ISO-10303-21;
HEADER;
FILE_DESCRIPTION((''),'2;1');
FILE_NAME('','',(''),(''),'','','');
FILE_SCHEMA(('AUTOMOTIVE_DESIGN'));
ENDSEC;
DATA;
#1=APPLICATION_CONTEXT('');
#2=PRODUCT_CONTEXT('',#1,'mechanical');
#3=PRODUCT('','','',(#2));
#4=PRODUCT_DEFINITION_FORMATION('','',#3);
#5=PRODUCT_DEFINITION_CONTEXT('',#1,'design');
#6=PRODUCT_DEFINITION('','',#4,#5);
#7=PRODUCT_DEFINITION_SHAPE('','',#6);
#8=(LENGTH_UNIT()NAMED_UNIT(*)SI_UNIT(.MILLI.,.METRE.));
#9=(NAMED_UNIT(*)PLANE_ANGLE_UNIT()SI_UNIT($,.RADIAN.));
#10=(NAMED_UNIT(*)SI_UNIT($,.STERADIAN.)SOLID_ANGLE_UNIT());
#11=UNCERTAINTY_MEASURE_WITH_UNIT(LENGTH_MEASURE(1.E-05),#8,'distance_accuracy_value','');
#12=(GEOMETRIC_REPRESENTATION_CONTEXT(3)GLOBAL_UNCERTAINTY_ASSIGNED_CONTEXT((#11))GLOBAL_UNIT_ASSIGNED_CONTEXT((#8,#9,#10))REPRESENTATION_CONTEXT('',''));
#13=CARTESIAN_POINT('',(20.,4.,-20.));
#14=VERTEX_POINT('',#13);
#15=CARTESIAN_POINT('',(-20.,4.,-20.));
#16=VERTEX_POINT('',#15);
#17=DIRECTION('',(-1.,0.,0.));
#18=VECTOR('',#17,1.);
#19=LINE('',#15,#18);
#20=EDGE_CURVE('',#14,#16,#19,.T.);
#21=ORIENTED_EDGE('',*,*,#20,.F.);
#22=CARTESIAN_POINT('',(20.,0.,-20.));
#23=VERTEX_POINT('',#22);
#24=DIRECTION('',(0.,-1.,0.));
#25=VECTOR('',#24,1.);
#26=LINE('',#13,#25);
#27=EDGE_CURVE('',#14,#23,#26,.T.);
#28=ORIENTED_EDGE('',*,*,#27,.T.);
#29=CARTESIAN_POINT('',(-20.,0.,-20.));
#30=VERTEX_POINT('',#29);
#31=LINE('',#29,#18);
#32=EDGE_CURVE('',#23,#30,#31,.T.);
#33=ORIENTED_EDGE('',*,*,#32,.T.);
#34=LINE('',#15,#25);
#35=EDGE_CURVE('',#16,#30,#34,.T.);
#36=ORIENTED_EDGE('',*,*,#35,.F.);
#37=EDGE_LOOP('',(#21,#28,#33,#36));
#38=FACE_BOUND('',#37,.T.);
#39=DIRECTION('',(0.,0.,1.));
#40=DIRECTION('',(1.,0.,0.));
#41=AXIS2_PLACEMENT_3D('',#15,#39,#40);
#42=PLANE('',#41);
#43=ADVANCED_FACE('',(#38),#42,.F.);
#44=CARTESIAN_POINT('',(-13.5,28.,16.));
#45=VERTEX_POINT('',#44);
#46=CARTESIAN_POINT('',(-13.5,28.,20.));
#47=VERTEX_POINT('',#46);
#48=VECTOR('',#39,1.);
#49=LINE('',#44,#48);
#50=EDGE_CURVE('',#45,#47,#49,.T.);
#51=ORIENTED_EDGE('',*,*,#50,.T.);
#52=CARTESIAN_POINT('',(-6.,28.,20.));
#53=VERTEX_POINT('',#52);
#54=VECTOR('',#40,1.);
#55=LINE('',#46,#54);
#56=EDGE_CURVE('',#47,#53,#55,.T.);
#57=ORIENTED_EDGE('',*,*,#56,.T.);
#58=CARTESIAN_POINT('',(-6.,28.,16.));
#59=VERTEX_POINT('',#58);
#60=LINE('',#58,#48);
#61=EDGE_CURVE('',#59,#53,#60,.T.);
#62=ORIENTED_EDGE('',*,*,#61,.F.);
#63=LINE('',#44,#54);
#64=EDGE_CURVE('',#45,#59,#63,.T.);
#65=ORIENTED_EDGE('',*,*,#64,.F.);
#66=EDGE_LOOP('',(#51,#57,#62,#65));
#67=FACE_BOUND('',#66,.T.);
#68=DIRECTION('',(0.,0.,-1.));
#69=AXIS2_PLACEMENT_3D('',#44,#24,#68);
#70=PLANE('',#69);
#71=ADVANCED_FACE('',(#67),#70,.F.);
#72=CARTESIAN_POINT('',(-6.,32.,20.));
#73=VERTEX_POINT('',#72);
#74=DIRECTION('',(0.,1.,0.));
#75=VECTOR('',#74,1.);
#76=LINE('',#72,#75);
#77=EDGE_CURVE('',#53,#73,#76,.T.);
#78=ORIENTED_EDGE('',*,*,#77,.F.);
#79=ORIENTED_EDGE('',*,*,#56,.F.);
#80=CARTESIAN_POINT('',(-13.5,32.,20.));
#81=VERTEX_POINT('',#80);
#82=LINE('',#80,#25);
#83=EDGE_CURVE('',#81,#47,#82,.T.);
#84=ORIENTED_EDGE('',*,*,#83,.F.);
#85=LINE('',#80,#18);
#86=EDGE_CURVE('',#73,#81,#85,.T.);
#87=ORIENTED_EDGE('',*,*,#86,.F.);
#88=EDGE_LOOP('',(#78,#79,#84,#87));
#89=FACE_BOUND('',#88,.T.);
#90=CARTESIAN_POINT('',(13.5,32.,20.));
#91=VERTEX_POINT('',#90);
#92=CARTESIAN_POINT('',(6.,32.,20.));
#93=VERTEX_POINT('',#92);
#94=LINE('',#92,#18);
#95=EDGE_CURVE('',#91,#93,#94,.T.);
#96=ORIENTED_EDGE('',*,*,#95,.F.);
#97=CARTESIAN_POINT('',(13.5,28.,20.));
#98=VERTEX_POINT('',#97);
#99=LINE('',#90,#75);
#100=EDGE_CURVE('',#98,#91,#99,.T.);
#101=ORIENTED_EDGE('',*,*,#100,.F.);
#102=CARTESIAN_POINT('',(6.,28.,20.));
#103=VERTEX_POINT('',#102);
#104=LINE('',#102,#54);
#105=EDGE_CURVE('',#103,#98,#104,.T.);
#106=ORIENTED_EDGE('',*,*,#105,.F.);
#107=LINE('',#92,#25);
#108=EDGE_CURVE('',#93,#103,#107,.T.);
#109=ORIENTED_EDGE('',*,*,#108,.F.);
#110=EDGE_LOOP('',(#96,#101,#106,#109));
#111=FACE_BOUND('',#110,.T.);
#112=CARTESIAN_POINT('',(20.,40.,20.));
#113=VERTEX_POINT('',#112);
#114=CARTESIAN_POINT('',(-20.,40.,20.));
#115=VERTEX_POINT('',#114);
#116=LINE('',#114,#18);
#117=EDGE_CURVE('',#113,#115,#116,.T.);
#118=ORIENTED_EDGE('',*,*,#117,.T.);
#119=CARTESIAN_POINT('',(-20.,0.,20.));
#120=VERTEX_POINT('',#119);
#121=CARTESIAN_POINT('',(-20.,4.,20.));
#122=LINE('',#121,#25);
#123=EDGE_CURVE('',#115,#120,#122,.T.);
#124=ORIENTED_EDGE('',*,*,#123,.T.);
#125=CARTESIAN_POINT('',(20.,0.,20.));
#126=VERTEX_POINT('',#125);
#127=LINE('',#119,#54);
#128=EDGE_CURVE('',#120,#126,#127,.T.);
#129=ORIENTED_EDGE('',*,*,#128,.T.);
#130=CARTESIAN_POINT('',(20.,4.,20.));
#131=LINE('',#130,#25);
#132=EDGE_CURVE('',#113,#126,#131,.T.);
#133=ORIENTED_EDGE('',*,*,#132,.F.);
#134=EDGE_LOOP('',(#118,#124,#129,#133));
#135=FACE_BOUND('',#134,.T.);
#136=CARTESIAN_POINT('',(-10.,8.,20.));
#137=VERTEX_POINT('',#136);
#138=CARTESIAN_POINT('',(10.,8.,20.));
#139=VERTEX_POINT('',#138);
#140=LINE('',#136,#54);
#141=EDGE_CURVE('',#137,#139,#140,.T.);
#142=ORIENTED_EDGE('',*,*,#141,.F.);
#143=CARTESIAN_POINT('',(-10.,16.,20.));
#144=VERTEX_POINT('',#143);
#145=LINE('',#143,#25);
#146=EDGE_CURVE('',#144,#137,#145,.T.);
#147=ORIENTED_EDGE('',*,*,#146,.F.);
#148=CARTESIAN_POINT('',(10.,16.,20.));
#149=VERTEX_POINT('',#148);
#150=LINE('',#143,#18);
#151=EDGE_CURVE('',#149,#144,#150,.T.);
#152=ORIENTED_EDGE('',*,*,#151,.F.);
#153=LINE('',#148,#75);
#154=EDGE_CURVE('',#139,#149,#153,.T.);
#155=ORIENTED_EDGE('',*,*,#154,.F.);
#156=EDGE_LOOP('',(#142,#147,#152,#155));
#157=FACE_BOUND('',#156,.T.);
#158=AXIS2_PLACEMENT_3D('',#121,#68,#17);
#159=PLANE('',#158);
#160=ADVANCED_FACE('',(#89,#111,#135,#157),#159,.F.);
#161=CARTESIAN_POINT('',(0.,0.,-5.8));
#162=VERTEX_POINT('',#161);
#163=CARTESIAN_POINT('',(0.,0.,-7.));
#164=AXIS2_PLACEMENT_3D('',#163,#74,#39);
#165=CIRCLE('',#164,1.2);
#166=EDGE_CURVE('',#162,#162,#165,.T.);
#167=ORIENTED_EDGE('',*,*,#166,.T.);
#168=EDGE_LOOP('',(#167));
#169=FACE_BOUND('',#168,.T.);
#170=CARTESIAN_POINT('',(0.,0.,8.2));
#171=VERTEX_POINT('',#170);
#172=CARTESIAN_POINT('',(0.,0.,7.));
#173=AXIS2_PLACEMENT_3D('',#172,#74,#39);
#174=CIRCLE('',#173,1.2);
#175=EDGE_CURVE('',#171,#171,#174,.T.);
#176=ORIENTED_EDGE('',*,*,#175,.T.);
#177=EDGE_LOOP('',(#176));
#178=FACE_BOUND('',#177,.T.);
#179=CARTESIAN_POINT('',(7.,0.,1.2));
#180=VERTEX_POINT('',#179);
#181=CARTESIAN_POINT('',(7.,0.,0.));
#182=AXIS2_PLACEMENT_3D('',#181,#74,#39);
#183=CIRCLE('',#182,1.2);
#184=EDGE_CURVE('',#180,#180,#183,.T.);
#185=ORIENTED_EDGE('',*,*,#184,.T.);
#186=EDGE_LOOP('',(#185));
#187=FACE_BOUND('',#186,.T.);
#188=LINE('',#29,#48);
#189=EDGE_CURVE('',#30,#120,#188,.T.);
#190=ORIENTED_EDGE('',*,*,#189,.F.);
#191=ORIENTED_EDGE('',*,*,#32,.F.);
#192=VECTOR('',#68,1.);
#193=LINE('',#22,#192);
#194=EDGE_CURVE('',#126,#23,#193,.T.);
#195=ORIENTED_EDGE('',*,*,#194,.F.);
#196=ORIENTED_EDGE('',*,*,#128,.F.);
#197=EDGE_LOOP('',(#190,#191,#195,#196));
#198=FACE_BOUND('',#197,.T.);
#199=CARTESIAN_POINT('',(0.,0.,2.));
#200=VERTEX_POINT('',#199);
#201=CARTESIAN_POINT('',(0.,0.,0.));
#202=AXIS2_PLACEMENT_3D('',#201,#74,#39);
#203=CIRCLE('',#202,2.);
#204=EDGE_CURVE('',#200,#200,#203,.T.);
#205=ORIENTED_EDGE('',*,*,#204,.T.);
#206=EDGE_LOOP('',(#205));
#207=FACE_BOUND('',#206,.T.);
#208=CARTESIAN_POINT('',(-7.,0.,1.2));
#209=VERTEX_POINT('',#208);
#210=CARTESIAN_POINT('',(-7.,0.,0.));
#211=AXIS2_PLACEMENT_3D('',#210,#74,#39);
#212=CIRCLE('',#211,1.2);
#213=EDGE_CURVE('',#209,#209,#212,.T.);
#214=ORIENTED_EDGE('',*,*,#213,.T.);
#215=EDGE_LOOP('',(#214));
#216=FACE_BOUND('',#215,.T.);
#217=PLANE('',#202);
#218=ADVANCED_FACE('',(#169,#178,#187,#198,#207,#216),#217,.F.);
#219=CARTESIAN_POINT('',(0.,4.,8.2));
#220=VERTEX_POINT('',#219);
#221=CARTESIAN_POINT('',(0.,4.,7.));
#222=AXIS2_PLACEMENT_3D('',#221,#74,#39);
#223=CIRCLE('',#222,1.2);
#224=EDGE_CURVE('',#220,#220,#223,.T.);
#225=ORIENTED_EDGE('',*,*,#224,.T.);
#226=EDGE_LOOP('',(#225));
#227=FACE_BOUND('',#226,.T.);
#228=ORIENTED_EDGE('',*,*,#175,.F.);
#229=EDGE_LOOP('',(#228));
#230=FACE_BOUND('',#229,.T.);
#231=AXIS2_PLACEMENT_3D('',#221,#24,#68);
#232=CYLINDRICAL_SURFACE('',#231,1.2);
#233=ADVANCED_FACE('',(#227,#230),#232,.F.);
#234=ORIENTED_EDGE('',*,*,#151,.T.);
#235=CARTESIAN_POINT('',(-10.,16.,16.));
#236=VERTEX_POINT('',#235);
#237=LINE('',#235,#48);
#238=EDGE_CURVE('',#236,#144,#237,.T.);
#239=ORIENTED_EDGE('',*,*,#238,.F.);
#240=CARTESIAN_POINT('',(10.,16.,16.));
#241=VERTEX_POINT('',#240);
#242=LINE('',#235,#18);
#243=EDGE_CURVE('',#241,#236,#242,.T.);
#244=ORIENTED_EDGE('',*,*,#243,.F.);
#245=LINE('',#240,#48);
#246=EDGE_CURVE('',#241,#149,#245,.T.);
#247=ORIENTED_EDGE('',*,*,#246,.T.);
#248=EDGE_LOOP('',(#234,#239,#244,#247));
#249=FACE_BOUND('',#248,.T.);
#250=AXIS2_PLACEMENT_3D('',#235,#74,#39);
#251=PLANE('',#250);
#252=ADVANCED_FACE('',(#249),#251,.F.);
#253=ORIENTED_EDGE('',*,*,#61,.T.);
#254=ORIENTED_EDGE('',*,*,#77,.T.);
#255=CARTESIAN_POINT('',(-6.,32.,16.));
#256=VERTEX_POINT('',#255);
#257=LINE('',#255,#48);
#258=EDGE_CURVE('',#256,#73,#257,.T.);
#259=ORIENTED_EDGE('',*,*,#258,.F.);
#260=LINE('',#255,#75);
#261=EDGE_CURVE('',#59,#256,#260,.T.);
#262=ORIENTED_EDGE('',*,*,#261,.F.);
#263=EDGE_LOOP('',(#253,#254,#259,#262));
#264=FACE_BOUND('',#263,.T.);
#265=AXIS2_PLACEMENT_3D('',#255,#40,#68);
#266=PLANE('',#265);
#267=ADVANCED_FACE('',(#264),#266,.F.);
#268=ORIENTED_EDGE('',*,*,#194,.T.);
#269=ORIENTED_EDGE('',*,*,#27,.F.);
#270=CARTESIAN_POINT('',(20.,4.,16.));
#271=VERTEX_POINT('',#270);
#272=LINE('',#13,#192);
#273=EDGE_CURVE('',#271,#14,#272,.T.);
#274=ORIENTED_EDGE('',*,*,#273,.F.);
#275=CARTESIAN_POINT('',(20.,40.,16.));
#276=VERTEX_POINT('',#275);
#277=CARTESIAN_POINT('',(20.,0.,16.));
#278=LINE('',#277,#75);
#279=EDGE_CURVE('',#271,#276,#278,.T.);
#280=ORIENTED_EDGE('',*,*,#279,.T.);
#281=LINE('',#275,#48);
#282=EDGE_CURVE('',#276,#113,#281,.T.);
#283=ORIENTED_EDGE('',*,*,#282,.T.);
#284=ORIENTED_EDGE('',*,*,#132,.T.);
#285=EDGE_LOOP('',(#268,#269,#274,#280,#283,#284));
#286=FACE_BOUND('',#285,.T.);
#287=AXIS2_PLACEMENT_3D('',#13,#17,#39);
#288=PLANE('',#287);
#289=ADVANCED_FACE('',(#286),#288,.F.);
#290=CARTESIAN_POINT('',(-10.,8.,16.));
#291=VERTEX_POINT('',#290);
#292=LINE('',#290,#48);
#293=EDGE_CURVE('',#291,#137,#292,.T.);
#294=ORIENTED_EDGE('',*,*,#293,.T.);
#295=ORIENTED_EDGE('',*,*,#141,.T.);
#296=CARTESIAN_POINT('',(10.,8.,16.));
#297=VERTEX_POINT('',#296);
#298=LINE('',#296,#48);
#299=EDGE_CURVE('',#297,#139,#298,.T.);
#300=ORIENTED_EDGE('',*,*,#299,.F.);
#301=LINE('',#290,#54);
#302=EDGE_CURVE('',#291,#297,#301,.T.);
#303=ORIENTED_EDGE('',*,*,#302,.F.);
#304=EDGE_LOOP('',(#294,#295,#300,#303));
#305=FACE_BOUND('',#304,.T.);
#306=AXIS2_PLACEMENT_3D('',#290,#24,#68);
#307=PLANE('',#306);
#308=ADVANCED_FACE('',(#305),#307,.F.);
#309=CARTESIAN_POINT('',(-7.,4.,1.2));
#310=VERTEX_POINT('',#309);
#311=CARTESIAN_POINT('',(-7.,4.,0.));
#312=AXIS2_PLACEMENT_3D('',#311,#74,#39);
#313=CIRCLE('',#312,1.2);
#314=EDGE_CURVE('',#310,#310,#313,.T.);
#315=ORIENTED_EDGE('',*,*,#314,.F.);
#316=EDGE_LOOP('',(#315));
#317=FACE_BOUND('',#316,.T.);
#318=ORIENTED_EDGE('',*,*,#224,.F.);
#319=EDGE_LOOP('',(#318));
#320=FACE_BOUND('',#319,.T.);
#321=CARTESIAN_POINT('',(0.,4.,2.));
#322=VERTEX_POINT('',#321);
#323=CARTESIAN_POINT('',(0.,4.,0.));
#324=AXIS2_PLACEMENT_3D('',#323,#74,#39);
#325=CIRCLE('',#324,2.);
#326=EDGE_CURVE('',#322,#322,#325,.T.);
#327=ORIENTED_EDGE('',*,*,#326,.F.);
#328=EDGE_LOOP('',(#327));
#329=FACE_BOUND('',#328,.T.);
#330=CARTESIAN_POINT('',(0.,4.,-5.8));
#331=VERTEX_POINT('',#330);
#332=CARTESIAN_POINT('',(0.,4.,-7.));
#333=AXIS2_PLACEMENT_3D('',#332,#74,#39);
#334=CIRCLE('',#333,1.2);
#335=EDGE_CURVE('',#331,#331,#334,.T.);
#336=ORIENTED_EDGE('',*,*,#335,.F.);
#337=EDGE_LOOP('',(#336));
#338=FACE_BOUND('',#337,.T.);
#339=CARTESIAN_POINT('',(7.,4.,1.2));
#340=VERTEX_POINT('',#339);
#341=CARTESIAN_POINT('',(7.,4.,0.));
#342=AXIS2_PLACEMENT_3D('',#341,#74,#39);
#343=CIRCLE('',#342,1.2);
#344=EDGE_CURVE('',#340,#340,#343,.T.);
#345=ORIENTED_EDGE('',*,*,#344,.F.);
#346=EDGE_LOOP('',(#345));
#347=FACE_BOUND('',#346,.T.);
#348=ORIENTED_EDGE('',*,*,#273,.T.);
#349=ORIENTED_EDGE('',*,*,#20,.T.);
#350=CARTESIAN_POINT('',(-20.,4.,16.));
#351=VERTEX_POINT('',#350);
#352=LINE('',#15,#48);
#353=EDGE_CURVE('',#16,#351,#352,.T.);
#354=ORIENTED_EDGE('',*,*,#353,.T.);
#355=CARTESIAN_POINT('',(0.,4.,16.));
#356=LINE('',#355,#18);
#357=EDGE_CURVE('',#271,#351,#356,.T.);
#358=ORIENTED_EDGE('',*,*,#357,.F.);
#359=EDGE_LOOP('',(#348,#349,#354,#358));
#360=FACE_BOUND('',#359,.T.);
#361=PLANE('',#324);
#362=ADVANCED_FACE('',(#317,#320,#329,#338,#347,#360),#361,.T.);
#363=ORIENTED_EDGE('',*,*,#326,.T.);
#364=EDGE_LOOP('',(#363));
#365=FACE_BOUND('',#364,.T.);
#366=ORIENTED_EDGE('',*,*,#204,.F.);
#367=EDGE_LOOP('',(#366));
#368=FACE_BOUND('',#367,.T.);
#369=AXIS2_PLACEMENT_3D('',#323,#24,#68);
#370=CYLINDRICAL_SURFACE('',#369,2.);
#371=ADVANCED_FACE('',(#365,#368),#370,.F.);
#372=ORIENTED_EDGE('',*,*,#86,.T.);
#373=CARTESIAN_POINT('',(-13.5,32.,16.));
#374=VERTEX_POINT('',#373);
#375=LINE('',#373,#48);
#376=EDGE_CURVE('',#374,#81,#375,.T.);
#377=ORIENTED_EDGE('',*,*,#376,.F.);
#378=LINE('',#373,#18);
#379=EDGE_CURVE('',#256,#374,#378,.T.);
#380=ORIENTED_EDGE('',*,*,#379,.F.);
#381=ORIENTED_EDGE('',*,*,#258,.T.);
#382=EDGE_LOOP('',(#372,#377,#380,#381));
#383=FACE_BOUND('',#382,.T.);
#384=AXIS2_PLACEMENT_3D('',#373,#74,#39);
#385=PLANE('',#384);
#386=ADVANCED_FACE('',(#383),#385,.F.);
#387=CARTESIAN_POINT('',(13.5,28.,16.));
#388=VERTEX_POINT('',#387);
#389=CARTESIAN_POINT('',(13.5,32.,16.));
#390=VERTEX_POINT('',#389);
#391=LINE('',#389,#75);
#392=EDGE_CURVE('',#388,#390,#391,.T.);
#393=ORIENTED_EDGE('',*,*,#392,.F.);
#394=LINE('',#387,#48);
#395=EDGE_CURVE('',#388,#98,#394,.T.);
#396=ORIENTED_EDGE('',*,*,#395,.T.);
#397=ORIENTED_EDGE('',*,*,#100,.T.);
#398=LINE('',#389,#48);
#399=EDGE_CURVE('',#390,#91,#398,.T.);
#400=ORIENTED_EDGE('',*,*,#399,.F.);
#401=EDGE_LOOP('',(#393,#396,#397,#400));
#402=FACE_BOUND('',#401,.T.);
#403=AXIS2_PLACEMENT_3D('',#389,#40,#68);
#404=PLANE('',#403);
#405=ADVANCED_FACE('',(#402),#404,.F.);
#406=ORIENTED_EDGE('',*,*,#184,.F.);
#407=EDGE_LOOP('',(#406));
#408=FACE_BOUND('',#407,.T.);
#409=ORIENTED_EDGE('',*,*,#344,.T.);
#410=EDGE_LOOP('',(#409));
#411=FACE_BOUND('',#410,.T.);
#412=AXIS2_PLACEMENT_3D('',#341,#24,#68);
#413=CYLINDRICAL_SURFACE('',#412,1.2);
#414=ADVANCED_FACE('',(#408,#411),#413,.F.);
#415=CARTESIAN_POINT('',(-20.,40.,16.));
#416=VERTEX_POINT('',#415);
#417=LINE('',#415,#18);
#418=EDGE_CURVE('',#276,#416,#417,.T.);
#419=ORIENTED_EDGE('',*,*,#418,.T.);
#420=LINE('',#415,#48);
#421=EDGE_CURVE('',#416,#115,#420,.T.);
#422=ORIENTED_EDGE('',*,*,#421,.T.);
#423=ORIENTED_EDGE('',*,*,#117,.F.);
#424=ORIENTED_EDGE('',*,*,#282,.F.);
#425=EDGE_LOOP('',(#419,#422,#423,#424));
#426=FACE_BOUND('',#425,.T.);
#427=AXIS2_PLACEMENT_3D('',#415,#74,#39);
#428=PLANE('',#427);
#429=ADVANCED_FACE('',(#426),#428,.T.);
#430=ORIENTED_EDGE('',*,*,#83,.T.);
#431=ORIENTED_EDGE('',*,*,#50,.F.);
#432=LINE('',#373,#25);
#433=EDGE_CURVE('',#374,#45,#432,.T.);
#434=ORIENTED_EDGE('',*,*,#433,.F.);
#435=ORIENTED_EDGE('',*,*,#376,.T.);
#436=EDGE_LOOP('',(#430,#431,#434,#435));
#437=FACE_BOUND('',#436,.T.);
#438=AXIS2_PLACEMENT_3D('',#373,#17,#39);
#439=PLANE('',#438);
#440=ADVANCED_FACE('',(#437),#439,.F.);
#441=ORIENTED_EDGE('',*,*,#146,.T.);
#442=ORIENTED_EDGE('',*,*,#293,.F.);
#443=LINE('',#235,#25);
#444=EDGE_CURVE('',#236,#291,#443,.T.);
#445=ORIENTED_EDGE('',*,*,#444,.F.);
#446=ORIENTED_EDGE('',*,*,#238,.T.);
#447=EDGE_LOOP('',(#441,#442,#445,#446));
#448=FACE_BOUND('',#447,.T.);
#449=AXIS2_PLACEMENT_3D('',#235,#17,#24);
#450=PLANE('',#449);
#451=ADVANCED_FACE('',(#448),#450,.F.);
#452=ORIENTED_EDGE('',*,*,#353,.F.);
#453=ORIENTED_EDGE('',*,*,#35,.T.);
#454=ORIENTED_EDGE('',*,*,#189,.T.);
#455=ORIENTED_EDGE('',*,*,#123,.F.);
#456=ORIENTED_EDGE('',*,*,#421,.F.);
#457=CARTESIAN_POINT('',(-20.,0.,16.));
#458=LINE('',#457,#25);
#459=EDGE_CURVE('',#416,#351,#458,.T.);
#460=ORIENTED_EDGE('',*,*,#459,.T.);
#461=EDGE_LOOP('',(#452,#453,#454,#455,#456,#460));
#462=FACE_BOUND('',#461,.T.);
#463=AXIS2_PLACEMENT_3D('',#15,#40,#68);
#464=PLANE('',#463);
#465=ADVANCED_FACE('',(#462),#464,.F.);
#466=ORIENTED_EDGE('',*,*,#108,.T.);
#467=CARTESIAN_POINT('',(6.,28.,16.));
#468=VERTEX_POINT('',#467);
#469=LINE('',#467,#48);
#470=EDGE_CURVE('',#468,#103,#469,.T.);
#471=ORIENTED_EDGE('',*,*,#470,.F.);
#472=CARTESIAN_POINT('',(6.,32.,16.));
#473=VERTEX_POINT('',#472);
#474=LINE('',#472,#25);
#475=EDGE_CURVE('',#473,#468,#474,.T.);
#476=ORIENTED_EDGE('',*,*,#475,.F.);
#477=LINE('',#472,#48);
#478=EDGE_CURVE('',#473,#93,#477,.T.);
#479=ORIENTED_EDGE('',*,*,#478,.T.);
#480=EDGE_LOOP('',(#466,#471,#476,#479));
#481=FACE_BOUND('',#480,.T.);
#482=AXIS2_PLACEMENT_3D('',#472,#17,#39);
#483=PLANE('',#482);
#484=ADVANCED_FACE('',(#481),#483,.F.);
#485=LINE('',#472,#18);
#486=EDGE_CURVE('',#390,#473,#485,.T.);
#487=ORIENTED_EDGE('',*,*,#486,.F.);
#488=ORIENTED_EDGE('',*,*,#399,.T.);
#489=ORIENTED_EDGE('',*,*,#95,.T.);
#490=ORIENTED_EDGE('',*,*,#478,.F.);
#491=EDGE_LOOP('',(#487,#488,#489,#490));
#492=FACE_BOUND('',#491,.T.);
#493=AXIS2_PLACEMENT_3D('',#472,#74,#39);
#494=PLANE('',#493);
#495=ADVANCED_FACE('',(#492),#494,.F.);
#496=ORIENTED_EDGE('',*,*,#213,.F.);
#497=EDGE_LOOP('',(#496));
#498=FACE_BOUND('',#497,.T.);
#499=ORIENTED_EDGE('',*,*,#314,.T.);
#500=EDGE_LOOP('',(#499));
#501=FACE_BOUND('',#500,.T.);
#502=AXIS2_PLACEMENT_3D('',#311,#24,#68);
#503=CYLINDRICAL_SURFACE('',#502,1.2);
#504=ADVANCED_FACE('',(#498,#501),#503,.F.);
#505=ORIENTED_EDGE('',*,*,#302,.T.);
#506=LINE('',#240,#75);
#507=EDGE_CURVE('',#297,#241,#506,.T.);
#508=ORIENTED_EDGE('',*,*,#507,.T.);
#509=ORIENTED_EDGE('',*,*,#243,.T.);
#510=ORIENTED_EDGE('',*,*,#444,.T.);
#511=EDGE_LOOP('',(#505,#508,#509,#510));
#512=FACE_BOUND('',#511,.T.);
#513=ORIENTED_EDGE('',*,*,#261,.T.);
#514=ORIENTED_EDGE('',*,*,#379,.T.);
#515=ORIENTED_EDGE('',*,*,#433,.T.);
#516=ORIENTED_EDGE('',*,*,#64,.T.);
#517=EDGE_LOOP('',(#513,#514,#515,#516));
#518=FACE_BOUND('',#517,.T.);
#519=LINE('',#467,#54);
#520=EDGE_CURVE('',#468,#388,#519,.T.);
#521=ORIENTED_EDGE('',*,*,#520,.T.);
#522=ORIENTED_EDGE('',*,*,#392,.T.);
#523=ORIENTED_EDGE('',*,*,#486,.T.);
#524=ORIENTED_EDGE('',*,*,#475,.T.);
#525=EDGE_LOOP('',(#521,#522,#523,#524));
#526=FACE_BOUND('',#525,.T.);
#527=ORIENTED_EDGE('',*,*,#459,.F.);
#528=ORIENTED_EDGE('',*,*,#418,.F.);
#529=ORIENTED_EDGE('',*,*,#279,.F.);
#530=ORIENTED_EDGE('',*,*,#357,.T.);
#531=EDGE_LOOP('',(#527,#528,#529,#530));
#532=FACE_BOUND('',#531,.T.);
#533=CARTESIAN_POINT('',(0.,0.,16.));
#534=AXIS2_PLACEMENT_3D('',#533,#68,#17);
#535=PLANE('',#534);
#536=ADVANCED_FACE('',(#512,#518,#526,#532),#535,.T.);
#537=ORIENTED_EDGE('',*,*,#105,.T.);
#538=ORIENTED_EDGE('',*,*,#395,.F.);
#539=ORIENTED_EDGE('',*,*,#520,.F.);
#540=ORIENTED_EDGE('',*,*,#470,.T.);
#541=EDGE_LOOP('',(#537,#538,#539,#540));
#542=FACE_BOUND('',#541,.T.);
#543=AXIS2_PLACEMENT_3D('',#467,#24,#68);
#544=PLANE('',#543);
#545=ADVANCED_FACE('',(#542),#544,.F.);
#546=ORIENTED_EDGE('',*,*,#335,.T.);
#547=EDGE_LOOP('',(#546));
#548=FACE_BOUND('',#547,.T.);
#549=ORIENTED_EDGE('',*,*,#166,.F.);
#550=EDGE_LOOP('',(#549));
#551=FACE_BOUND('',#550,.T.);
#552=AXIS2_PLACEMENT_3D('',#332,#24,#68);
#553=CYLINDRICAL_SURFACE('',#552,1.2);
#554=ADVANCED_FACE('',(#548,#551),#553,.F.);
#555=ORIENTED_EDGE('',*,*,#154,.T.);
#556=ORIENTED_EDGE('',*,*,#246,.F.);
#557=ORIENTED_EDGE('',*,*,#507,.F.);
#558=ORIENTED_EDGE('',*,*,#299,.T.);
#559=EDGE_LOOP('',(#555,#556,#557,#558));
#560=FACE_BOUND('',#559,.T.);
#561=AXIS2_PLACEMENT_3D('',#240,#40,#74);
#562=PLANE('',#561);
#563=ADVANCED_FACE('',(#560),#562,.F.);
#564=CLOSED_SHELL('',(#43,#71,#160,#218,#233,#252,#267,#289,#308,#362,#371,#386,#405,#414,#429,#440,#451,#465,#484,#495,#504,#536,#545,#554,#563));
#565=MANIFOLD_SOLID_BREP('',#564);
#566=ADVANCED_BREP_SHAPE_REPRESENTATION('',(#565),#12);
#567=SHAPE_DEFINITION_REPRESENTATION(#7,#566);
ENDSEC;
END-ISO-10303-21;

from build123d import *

# Parameters (mm, degrees)
SKETCH1_W           = 40
SKETCH1_H           = 40
SKETCH1_R           = 2
SKETCH1_R_2         = 1.2
BOSS_EXTRUDE1_DEPTH = 4
SKETCH2_W           = 40
SKETCH2_H           = 40
BOSS_EXTRUDE2_DEPTH = 4
SKETCH3_W           = 7.5
SKETCH3_H           = 4
SKETCH3_W_2         = 20
SKETCH3_H_2         = 8
CUT_EXTRUDE1_DEPTH  = 4


with BuildPart() as part:
    # Sketch1 → Boss-Extrude1 (new body)
    with BuildSketch(Plane(origin=(0, 0, 0), x_dir=(1, 0, 0), z_dir=(0, 1, 0))):
        Rectangle(SKETCH1_W, SKETCH1_H)
        with Locations(Location((0, 0, 0), (0, 0, 270))):
            Circle(SKETCH1_R, mode=Mode.SUBTRACT)
        with Locations(Location((7, 0, 0), (0, 0, 270))):
            Circle(SKETCH1_R_2, mode=Mode.SUBTRACT)
        with Locations(Location((0, -7, 0), (0, 0, 270))):
            Circle(SKETCH1_R_2, mode=Mode.SUBTRACT)
        with Locations(Location((-7, 0, 0), (0, 0, 270))):
            Circle(SKETCH1_R_2, mode=Mode.SUBTRACT)
        with Locations(Location((0, 7, 0), (0, 0, 270))):
            Circle(SKETCH1_R_2, mode=Mode.SUBTRACT)
    extrude(amount=BOSS_EXTRUDE1_DEPTH)

    # Sketch2 → Boss-Extrude2 (add)
    with BuildSketch(Plane.XY.offset(20)):
        with Locations((0, 20)):
            Rectangle(SKETCH2_W, SKETCH2_H)
    extrude(amount=-BOSS_EXTRUDE2_DEPTH)

    # Sketch3 → Cut-Extrude1 (cut)
    with BuildSketch(Plane.XY.offset(20)):
        with Locations((-9.75, 30)):
            Rectangle(SKETCH3_W, SKETCH3_H)
        with Locations((9.75, 30)):
            Rectangle(SKETCH3_W, SKETCH3_H)
        with Locations((0, 12)):
            Rectangle(SKETCH3_W_2, SKETCH3_H_2)
    extrude(amount=-CUT_EXTRUDE1_DEPTH, mode=Mode.SUBTRACT)


solid = part.part
